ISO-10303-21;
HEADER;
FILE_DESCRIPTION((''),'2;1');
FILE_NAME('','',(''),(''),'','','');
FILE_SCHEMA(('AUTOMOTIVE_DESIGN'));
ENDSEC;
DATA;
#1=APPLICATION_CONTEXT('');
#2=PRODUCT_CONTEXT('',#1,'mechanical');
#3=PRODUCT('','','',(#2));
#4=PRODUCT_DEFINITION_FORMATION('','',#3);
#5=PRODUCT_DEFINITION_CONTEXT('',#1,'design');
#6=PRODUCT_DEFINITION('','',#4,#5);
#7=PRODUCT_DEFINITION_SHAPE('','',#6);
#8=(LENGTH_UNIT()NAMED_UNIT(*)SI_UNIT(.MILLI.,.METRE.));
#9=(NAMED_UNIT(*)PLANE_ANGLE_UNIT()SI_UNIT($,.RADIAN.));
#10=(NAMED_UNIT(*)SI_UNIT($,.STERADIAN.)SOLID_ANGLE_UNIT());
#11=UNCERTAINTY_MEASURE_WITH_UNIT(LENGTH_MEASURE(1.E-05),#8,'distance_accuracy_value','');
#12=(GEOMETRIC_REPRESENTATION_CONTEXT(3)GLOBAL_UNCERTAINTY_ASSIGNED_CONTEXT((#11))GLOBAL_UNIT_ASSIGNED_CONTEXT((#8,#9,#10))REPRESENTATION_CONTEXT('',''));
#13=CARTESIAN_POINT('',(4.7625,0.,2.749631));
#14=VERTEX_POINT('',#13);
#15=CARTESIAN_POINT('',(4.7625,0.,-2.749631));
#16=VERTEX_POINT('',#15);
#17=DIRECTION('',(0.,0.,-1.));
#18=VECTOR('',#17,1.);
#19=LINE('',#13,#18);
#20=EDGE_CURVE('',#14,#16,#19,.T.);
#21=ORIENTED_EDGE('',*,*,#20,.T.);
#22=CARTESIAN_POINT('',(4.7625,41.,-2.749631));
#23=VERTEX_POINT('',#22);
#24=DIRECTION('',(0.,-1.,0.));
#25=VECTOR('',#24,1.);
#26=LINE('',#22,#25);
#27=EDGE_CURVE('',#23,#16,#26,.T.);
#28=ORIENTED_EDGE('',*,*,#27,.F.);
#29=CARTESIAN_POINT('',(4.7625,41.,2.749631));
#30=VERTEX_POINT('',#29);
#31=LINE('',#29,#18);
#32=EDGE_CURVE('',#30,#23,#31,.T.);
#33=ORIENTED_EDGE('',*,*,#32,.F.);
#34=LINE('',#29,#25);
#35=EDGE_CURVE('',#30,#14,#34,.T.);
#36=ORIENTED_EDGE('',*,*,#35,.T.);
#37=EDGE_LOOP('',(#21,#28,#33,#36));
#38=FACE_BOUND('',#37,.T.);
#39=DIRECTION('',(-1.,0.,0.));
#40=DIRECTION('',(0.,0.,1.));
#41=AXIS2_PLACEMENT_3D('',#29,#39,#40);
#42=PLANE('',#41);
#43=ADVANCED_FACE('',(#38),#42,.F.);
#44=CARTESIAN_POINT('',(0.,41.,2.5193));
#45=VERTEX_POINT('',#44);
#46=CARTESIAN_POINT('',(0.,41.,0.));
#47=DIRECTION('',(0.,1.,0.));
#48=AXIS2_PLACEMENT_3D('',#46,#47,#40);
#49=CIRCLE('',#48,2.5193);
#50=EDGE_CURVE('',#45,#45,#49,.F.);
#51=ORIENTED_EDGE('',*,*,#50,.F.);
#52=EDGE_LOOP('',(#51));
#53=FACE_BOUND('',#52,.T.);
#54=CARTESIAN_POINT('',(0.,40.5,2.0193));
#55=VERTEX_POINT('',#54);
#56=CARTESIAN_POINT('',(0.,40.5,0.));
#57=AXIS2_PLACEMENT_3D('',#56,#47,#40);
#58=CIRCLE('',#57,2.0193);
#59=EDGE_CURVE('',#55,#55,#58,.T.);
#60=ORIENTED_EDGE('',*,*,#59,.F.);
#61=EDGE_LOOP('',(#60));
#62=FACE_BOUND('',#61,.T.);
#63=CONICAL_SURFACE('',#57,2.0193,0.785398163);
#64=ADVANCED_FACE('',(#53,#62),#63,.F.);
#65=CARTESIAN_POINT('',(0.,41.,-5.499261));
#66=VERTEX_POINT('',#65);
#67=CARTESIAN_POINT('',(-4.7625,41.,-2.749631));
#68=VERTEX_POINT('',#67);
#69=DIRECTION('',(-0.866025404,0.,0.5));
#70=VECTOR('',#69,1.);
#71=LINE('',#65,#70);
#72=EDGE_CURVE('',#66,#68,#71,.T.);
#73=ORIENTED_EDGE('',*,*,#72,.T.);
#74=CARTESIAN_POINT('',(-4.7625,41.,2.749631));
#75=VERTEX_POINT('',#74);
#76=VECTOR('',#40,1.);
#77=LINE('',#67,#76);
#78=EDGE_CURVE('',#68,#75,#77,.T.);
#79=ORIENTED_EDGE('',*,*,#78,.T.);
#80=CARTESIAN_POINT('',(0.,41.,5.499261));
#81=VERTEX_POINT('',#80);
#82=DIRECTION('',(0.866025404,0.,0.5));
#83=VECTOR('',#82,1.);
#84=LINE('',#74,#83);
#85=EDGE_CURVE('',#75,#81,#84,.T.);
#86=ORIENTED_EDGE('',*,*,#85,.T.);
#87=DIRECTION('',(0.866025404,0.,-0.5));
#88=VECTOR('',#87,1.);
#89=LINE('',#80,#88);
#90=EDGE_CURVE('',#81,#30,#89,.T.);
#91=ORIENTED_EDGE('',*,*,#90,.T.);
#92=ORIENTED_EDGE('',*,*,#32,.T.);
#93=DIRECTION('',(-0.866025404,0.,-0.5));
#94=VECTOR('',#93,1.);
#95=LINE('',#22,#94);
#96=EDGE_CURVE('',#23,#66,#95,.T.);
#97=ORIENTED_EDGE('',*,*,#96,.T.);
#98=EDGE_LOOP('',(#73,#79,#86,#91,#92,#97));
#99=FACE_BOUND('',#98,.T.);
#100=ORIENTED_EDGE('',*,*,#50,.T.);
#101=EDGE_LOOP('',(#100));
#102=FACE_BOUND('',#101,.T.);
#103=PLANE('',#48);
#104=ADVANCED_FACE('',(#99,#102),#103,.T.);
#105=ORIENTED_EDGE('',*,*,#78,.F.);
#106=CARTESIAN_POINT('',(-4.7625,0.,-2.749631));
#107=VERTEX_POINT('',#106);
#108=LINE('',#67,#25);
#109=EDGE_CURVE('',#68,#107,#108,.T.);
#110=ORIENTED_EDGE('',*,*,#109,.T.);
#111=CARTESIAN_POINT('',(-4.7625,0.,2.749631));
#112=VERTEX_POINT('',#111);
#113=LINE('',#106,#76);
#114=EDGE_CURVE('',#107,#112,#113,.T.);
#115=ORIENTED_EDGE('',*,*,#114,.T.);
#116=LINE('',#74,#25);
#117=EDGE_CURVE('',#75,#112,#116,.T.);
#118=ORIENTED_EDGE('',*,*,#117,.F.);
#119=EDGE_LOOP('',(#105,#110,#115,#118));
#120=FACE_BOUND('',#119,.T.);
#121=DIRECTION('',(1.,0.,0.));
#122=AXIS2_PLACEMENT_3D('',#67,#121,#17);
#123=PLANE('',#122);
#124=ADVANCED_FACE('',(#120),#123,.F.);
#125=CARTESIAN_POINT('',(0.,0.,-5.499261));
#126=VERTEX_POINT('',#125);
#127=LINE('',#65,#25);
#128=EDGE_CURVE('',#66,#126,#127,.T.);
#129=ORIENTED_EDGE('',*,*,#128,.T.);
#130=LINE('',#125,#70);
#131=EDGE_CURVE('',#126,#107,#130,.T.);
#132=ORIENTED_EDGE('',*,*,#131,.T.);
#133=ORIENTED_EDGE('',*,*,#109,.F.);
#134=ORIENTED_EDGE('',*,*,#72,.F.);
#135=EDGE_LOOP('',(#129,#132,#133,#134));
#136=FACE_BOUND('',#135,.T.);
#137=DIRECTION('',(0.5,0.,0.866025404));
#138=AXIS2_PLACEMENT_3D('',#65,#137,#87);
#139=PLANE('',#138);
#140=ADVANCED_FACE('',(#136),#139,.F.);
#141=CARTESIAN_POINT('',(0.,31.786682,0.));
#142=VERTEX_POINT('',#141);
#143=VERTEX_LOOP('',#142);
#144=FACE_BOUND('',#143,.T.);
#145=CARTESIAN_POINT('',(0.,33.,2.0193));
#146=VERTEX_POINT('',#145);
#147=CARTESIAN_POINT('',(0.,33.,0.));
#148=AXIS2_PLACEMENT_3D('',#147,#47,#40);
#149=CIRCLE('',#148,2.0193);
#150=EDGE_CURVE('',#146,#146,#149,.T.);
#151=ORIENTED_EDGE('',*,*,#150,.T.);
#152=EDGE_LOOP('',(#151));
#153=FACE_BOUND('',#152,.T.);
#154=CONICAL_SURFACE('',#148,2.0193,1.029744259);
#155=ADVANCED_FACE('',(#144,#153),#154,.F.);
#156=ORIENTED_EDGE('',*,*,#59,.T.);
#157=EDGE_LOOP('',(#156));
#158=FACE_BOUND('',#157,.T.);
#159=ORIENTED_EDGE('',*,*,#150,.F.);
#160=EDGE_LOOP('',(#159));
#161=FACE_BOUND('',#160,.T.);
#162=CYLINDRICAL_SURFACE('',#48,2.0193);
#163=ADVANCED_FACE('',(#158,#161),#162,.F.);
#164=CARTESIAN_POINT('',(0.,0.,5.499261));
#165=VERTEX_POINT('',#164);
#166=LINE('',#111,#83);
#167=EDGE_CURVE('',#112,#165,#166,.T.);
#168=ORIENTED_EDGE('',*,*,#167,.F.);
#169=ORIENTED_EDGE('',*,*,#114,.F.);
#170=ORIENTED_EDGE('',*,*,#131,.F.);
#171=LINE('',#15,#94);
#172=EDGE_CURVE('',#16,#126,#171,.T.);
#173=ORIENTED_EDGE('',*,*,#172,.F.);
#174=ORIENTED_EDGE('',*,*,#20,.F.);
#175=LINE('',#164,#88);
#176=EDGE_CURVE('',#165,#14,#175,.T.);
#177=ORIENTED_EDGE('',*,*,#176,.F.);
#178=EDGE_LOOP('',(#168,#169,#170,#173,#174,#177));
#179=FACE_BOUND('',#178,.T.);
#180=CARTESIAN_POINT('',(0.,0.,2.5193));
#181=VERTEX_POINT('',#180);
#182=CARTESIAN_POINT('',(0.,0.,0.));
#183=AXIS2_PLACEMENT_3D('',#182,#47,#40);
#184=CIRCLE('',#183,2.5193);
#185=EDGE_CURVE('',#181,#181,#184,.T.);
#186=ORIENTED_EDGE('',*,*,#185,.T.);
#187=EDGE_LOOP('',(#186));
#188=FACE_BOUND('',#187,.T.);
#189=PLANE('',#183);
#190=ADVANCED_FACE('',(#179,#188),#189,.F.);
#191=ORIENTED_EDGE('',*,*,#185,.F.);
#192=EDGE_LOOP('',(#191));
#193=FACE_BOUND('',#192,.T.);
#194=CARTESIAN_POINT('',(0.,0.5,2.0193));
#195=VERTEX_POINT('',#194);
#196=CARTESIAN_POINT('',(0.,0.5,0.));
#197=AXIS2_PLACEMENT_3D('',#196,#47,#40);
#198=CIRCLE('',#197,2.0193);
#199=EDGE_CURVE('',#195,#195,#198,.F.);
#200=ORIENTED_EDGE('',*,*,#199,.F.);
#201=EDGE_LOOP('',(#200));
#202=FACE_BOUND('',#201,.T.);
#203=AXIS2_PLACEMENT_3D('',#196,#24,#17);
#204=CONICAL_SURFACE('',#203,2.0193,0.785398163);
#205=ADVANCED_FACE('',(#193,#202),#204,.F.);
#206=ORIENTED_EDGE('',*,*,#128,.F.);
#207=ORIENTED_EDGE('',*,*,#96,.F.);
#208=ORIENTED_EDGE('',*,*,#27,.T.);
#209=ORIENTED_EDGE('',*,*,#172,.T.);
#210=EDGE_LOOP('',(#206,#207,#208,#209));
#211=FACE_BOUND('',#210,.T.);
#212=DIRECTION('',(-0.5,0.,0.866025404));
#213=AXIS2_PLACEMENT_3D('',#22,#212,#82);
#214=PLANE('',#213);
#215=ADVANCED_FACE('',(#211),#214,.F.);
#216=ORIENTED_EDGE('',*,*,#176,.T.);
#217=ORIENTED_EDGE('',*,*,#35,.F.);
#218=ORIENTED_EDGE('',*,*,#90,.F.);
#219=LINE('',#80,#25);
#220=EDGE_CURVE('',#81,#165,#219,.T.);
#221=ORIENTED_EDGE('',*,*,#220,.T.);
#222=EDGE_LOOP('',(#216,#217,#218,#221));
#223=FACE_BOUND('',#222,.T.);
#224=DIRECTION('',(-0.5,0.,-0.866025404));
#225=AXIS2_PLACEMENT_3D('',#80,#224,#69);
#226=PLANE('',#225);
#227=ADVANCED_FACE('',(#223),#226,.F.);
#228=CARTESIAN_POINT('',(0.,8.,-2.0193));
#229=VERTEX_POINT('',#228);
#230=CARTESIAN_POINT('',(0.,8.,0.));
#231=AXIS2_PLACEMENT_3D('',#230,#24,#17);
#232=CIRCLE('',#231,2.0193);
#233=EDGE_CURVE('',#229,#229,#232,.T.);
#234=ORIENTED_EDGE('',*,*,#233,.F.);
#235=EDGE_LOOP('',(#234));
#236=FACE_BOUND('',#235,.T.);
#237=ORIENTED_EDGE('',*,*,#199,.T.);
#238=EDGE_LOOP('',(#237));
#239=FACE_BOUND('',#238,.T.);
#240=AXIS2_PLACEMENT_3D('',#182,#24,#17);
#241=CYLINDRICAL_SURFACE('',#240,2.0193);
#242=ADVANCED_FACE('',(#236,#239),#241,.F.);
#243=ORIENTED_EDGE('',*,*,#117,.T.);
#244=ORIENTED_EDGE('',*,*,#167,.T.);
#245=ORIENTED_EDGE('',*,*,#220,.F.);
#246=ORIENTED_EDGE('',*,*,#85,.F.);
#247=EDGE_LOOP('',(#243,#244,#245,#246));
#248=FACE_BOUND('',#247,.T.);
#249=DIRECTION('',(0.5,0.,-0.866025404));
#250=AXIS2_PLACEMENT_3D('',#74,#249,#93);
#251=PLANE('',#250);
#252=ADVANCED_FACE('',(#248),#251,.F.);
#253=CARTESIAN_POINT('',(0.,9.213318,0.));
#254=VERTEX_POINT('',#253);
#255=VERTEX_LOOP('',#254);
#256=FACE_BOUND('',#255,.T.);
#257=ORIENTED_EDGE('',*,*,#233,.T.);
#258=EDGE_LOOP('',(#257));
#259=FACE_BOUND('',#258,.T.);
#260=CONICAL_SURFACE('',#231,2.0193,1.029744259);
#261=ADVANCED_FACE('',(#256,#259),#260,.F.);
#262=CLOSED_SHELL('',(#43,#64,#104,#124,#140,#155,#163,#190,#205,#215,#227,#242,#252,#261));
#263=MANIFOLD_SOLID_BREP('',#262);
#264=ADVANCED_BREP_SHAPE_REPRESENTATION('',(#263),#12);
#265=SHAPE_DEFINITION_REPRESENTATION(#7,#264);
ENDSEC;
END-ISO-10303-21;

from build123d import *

# Parameters (mm, degrees)
BOSS_EXTRUDE1_DEPTH        = 41
F_10_32_TAPPED_HOLE1_D     = 4.0386
F_10_32_TAPPED_HOLE1_DEPTH = 8
F_10_32_TAPPED_HOLE1_TIP   = 1.213317848
F_10_32_TAPPED_HOLE2_D     = 4.0386
F_10_32_TAPPED_HOLE2_DEPTH = 8
F_10_32_TAPPED_HOLE2_TIP   = 1.213317848
CHAMFER1_SIZE              = 0.5


with BuildPart() as part:
    # Sketch1 → Boss-Extrude1 (new body)
    with BuildSketch(Plane(origin=(0, 0, 0), x_dir=(1, 0, 0), z_dir=(0, 1, 0))):
        Polygon((0, -5.499261314), (4.7625, -2.749630657), (4.7625, 2.749630657), (0, 5.499261314), (-4.7625, 2.749630657), (-4.7625, -2.749630657), align=None)
    extrude(amount=BOSS_EXTRUDE1_DEPTH)

    # #10-32 Tapped Hole1
    with Locations(Plane(origin=(0, 41, 0), x_dir=(1, 0, 0), z_dir=(0, 1, 0))):
        with Locations((0, 0)):
            Hole(F_10_32_TAPPED_HOLE1_D / 2, depth=F_10_32_TAPPED_HOLE1_DEPTH)
            with Locations((0, 0, -(F_10_32_TAPPED_HOLE1_DEPTH + F_10_32_TAPPED_HOLE1_TIP / 2))):  # 118° drill point
                Cone(0, F_10_32_TAPPED_HOLE1_D / 2, F_10_32_TAPPED_HOLE1_TIP, mode=Mode.SUBTRACT)

    # #10-32 Tapped Hole2
    with Locations(Plane(origin=(0, 0, 0), x_dir=(-1, 0, 0), z_dir=(0, -1, 0))):
        with Locations((0, 0)):
            Hole(F_10_32_TAPPED_HOLE2_D / 2, depth=F_10_32_TAPPED_HOLE2_DEPTH)
            with Locations((0, 0, -(F_10_32_TAPPED_HOLE2_DEPTH + F_10_32_TAPPED_HOLE2_TIP / 2))):  # 118° drill point
                Cone(0, F_10_32_TAPPED_HOLE2_D / 2, F_10_32_TAPPED_HOLE2_TIP, mode=Mode.SUBTRACT)

    # Chamfer1
    chamfer1_edges = [part.edges().sort_by_distance(p)[0] for p in [
        (2.0193, 41, 0),
        (-2.0193, 0, 0),
    ]]
    chamfer(chamfer1_edges, length=CHAMFER1_SIZE)


solid = part.part
